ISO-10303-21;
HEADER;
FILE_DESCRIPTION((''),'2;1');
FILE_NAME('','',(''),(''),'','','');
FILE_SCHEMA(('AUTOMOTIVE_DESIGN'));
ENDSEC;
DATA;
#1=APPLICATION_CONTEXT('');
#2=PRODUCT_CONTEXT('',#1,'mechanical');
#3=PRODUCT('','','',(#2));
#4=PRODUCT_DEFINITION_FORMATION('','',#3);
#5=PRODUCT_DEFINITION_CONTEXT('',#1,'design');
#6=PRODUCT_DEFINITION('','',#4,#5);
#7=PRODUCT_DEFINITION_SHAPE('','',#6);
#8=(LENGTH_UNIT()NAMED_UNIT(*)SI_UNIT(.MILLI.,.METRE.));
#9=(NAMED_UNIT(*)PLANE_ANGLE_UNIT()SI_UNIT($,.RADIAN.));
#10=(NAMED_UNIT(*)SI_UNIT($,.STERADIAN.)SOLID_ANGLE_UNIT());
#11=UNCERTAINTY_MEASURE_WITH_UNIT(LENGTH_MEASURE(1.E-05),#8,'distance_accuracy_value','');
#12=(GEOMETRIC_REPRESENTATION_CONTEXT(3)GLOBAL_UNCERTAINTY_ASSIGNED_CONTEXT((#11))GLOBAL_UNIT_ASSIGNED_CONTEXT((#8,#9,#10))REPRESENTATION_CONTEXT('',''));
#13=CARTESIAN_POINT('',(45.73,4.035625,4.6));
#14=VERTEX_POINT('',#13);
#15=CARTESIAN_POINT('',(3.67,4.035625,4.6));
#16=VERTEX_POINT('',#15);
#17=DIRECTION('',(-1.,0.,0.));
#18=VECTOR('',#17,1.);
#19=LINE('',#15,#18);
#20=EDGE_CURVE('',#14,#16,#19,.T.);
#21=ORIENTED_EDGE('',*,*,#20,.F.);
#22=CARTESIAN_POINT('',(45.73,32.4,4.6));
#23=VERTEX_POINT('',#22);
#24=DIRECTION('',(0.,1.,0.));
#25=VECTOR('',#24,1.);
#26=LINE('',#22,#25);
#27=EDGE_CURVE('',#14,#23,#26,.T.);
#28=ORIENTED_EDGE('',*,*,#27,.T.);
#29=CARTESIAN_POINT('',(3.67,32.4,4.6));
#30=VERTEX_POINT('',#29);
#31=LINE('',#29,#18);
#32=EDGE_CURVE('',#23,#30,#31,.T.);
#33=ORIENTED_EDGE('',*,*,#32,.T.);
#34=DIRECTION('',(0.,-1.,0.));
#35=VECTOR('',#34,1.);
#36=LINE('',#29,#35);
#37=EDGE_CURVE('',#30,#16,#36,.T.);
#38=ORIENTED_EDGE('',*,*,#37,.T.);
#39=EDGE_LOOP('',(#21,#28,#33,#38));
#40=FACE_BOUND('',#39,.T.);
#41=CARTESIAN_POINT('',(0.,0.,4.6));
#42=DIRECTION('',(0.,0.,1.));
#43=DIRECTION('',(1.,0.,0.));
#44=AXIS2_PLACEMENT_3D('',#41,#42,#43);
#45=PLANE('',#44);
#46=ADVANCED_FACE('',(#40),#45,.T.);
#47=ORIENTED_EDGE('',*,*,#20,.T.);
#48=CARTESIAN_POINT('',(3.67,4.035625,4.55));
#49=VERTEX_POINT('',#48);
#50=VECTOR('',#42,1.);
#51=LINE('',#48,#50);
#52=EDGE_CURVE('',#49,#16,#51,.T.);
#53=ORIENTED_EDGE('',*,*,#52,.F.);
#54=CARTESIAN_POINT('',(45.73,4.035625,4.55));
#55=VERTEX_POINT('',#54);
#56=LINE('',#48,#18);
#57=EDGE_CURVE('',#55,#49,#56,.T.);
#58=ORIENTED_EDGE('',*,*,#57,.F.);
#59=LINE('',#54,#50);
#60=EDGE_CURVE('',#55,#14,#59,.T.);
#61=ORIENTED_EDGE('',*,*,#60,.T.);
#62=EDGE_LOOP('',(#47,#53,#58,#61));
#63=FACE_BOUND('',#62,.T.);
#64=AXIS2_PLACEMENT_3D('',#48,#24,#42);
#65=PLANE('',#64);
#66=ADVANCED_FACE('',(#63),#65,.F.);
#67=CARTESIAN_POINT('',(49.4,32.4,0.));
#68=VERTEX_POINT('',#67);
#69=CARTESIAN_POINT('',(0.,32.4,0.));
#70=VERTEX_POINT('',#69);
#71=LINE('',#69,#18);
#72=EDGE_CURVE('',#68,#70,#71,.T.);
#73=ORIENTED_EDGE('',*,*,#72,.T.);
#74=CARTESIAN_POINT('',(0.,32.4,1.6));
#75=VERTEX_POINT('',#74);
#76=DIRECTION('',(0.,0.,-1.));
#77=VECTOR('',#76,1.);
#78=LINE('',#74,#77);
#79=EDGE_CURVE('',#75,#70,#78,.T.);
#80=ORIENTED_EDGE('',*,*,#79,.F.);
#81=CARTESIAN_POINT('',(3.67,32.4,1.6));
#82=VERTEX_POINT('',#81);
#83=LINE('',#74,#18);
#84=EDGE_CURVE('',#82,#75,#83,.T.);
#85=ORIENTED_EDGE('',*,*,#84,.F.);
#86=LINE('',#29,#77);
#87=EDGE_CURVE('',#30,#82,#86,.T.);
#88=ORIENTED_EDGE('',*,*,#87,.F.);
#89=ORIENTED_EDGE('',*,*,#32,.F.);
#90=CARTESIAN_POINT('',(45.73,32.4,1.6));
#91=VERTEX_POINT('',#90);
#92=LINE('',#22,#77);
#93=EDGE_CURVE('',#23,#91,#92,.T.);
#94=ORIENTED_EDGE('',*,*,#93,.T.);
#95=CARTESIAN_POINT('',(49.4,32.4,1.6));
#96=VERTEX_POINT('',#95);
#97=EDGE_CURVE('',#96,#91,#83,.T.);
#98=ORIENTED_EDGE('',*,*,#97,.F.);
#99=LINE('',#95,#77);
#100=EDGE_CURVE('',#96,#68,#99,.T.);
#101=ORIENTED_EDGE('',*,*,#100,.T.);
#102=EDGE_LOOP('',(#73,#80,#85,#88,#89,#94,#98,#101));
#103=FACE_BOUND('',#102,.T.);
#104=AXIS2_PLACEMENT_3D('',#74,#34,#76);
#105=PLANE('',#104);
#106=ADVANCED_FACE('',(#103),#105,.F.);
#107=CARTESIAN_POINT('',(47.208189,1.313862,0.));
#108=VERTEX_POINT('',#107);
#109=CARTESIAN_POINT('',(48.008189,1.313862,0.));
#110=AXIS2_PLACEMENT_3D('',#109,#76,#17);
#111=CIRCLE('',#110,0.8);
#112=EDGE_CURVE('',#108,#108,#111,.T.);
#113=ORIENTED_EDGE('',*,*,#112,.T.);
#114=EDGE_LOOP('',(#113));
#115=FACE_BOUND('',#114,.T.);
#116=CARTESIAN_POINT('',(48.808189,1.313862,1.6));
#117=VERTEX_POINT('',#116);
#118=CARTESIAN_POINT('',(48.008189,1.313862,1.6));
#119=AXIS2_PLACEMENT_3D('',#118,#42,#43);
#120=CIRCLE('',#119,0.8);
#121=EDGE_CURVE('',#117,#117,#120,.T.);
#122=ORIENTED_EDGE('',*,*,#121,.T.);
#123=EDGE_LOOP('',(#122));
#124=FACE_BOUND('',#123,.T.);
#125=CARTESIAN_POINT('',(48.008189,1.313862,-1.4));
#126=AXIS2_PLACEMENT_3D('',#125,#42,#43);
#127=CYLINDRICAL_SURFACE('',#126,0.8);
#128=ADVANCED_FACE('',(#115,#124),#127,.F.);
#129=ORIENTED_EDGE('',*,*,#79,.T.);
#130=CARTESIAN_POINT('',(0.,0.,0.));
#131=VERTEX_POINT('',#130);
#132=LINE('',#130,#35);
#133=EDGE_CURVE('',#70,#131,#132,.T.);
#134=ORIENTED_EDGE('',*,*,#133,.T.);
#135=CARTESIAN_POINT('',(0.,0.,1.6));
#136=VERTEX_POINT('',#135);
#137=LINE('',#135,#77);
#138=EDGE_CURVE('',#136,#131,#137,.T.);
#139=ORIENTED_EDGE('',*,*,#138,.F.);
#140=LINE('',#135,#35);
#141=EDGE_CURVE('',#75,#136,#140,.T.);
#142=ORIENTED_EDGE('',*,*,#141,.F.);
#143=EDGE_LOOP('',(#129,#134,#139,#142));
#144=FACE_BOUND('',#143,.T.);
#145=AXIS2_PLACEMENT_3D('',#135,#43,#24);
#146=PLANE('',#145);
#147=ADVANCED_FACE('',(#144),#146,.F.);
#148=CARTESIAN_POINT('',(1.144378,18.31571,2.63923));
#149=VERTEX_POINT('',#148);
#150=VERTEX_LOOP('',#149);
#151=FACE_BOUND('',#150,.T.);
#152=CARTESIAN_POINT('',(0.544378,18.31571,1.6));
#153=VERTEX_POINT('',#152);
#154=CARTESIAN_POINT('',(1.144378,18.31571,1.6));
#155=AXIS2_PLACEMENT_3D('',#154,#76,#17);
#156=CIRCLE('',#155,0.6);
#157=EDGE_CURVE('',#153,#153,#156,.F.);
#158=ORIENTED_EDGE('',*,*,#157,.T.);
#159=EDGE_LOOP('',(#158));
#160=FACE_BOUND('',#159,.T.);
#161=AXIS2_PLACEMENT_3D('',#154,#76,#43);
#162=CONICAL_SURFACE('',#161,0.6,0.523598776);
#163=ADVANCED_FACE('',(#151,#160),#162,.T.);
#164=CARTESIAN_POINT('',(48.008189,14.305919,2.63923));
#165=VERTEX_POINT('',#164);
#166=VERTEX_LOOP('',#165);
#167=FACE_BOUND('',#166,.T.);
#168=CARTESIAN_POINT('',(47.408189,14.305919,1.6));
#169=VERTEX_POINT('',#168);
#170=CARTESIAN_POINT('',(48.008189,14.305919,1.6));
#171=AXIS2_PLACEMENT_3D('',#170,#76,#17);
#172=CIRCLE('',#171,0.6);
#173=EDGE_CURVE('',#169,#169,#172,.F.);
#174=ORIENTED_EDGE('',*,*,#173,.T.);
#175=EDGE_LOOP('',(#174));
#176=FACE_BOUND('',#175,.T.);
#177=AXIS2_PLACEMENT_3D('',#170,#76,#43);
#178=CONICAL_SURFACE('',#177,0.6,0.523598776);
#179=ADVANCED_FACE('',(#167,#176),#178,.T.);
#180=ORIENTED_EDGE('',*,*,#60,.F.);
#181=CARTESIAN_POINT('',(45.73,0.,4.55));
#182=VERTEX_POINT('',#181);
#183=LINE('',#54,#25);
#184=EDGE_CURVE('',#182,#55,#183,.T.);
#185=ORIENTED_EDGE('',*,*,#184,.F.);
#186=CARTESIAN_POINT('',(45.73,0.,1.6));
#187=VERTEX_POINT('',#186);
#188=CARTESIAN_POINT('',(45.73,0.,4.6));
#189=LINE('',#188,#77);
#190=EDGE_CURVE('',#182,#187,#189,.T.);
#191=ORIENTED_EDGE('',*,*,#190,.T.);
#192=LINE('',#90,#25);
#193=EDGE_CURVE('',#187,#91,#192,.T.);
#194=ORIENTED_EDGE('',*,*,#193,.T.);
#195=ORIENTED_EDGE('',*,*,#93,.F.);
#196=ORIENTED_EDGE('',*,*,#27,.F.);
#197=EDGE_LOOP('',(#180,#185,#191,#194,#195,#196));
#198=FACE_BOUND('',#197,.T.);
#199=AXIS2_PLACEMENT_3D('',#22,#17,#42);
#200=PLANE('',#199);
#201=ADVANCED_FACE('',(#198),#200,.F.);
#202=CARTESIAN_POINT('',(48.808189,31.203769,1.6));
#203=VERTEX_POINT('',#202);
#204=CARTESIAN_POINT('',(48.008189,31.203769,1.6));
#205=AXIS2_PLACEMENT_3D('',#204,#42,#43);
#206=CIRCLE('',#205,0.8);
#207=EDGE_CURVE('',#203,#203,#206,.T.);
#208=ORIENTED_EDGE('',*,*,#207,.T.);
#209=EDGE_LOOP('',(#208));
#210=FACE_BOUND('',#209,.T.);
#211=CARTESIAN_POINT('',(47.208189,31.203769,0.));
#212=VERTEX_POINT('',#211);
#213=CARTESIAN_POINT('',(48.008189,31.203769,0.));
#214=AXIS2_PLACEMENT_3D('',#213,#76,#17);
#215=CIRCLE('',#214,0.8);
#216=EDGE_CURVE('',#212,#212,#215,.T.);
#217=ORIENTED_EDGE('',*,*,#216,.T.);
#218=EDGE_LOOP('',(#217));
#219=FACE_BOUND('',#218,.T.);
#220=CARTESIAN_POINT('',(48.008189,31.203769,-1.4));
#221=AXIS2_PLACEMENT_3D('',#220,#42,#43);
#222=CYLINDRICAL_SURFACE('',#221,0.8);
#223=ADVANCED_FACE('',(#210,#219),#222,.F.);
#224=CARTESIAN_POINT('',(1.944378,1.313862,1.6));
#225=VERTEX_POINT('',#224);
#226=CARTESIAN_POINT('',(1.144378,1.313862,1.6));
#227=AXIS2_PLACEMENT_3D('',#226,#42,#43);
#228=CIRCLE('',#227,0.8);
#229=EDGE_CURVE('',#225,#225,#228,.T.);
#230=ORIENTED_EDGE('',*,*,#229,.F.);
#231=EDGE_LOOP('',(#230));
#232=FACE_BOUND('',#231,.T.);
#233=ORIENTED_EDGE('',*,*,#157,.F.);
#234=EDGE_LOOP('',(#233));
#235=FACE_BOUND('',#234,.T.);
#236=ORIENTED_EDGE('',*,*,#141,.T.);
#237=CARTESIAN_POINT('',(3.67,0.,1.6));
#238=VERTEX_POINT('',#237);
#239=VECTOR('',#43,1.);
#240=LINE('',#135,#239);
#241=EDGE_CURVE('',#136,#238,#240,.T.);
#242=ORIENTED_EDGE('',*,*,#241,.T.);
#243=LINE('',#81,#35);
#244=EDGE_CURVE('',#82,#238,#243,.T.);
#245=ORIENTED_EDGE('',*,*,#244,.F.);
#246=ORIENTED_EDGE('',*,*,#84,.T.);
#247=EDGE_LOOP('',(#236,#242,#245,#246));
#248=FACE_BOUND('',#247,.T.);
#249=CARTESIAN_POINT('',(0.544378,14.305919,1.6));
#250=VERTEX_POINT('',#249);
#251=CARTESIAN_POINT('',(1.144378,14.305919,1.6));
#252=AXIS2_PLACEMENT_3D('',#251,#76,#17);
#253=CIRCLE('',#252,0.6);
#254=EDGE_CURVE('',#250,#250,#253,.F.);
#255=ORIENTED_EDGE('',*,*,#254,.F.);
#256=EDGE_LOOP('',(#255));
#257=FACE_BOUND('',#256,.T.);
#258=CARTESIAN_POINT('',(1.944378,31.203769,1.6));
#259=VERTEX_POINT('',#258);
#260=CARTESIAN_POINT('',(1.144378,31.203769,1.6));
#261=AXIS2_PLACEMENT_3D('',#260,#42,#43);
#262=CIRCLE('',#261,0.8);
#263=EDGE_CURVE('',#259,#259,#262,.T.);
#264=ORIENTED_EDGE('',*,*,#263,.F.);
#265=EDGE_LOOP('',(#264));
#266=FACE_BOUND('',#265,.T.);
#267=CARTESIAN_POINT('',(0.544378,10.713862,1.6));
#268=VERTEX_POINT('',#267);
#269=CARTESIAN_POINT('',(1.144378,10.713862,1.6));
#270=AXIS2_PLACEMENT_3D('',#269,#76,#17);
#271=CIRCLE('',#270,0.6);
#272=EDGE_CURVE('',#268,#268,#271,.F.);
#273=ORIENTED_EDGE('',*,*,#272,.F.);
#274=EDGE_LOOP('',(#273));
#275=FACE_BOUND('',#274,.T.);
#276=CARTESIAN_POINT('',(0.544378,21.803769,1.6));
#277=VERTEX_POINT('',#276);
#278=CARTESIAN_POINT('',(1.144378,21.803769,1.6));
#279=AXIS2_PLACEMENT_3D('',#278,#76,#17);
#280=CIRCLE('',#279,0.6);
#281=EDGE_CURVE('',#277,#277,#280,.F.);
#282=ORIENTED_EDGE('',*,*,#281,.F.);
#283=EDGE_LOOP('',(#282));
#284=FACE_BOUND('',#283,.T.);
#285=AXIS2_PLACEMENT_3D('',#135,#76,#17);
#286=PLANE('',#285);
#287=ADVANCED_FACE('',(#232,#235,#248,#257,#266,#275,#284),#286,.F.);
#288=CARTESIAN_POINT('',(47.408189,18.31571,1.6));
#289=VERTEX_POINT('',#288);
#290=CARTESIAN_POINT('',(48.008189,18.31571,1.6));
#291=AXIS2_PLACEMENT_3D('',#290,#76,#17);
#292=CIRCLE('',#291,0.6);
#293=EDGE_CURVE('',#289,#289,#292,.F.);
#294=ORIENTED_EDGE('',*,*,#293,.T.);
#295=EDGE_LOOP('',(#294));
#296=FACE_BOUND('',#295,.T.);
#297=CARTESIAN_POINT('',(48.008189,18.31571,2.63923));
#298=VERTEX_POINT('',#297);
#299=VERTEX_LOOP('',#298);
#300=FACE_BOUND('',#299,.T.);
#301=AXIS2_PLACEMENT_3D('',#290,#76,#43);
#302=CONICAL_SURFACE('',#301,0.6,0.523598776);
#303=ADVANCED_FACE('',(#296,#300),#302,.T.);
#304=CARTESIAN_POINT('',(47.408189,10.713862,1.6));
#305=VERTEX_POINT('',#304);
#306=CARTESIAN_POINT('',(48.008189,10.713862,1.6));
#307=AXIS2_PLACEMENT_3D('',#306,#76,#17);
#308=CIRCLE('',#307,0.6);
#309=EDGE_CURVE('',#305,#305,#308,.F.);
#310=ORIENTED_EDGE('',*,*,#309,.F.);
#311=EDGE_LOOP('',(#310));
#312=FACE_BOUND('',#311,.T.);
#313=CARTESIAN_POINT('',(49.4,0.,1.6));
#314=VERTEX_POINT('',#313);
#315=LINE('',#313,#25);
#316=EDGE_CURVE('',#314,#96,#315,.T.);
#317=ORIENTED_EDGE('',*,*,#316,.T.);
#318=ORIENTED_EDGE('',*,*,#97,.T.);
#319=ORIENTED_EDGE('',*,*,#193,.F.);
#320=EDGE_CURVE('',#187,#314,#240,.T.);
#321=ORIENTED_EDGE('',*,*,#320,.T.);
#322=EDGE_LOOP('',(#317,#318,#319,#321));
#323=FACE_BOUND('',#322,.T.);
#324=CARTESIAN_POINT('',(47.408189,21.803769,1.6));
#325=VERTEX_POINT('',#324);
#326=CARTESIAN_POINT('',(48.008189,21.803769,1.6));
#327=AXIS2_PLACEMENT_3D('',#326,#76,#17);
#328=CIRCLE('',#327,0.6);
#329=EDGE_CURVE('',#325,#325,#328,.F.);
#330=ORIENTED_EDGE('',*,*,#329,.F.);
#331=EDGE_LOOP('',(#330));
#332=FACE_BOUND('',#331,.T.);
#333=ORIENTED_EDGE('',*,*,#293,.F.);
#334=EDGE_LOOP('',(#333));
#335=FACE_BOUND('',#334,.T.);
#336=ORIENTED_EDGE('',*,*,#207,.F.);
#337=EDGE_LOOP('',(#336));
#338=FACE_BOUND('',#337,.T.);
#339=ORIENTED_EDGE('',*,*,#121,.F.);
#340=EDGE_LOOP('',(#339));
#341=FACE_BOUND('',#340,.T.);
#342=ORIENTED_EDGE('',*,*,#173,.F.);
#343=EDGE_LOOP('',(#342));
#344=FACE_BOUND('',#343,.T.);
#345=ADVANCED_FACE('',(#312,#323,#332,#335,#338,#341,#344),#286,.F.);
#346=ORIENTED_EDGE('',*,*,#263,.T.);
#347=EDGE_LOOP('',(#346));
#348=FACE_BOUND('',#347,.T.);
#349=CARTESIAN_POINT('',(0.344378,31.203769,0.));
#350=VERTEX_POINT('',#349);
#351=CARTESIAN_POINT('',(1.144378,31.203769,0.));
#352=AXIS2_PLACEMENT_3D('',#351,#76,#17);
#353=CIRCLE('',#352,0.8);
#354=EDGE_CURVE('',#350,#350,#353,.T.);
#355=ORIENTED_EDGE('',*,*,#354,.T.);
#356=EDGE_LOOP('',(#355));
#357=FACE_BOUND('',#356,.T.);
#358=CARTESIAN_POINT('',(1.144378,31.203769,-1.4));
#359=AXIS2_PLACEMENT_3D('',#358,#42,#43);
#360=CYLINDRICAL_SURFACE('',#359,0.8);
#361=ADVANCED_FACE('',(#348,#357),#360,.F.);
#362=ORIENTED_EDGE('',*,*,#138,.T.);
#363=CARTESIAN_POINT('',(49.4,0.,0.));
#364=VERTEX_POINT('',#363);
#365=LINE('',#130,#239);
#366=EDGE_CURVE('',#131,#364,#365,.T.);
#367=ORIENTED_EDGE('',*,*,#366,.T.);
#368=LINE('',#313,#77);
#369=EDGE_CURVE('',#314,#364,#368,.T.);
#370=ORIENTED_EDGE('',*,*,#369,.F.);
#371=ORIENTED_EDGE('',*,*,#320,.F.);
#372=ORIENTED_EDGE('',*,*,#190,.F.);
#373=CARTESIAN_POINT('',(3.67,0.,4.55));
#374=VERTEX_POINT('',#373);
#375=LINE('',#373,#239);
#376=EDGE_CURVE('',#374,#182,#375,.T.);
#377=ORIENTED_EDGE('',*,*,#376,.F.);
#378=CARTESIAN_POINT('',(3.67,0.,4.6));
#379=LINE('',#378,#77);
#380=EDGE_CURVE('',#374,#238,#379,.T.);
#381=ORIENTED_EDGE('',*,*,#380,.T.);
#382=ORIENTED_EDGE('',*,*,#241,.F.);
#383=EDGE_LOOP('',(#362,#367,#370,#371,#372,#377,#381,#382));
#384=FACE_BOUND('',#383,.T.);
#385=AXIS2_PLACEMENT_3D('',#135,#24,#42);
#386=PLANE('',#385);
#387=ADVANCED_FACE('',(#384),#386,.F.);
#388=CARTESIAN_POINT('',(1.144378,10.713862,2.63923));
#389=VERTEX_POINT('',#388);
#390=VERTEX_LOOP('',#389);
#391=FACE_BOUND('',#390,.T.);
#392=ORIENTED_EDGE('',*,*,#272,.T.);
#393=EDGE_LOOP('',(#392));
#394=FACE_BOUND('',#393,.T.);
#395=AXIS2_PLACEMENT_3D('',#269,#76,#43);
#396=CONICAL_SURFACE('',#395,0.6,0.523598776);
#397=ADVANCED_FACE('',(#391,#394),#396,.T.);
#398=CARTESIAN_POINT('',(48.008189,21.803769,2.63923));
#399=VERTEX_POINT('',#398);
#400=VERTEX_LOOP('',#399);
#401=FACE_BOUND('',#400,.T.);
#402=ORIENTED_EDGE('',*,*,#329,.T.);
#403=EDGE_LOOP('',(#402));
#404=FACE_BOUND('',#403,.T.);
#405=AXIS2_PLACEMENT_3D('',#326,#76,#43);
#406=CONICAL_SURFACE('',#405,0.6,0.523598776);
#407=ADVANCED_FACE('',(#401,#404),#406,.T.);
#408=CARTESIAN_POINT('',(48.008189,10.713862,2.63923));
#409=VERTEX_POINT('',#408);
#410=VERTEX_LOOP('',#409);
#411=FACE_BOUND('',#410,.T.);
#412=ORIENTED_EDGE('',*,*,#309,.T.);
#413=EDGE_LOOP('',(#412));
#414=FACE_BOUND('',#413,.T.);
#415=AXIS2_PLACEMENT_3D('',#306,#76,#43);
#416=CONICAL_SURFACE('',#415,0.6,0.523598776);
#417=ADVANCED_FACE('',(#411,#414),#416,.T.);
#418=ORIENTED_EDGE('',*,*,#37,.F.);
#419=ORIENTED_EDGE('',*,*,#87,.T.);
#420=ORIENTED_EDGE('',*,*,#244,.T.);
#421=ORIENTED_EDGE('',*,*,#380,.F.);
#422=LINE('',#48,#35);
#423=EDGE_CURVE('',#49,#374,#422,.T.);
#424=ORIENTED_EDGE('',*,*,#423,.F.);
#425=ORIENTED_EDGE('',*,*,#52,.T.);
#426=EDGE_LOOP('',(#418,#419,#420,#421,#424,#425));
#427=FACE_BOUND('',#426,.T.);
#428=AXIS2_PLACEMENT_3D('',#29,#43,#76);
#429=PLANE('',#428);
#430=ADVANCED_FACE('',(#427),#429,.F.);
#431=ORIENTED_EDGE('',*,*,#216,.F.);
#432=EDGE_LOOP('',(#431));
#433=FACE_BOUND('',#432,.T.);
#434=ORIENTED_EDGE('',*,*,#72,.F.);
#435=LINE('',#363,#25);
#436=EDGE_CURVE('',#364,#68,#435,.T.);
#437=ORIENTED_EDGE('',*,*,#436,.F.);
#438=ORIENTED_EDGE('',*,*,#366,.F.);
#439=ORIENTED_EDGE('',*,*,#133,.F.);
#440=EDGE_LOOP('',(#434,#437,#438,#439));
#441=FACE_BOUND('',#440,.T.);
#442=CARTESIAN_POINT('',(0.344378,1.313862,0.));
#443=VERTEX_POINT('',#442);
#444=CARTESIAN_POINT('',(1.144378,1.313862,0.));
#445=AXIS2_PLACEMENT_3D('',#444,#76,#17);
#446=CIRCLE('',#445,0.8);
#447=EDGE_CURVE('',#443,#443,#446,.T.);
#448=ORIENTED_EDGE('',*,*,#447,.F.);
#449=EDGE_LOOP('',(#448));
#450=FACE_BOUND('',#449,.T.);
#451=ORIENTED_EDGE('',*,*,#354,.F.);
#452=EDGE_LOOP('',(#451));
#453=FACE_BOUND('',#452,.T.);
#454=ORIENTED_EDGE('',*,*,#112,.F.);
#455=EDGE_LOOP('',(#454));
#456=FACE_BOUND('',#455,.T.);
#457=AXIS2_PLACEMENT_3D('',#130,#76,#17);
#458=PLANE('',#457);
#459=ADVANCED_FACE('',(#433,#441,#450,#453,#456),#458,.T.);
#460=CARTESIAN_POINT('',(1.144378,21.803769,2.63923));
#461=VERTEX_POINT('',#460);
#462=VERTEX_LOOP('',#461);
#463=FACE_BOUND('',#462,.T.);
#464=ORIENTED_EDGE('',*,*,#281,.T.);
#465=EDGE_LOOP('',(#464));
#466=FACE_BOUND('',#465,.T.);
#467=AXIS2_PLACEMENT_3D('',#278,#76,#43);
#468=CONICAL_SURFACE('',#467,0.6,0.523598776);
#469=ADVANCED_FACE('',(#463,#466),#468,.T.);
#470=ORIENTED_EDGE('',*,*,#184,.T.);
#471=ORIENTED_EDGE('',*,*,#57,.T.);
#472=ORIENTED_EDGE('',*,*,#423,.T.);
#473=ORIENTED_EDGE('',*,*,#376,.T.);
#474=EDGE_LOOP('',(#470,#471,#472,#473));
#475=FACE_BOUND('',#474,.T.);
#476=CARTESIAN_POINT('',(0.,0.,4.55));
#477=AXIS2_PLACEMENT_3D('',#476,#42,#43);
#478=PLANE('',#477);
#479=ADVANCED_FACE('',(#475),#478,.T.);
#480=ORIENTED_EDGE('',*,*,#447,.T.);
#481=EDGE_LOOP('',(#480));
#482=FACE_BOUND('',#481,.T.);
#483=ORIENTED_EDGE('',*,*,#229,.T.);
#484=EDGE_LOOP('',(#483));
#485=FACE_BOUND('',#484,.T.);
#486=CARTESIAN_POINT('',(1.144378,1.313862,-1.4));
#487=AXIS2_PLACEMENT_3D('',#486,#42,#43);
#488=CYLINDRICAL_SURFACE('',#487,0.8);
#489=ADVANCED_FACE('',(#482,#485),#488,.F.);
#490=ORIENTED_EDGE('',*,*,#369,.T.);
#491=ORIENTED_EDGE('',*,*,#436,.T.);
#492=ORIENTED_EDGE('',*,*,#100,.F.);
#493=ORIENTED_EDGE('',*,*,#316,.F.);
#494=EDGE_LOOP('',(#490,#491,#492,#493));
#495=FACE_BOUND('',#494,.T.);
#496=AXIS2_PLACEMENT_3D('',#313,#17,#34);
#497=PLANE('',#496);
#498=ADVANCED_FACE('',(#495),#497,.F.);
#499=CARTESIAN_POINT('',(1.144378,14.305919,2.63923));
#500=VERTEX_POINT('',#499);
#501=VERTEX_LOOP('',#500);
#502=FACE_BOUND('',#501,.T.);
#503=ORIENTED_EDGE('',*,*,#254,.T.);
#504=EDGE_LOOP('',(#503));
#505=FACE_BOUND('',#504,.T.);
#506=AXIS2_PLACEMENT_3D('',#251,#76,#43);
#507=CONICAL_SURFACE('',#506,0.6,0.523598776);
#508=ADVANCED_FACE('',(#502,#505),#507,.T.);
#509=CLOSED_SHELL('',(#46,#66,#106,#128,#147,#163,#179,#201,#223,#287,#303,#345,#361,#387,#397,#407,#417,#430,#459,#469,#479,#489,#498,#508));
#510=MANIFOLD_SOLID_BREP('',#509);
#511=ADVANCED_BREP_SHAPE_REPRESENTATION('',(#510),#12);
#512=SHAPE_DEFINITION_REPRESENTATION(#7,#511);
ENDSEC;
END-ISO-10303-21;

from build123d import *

# Parameters (mm, degrees)
ESQUISSE1_W             = 49.4
ESQUISSE1_H             = 32.4
BOSS_EXTRU_1_DEPTH      = 1.6
ESQUISSE5_W             = 42.06
ESQUISSE5_H             = 32.4
BOSS_EXTRU_2_DEPTH      = 3
ESQUISSE6_R             = 0.8
ENL_V_MAT_EXTRU_1_DEPTH = 3
ESQUISSE7_W             = 42.06
ESQUISSE7_H             = 4.035624865
ENL_V_MAT_EXTRU_2_DEPTH = 0.05
ESQUISSE8_R             = 0.6
BOSS_EXTRU_3_DEPTH      = 1.2
BOSS_EXTRU_3_TAPER      = 30


with BuildPart() as part:
    # Esquisse1 → Boss.-Extru.1 (new body)
    with BuildSketch(Plane.XY):
        with Locations((24.7, 16.2)):
            Rectangle(ESQUISSE1_W, ESQUISSE1_H)
    extrude(amount=BOSS_EXTRU_1_DEPTH)

    # Esquisse5 → Boss.-Extru.2 (add)
    with BuildSketch(Plane.XY.offset(1.6)):
        with Locations((24.7, 16.2)):
            Rectangle(ESQUISSE5_W, ESQUISSE5_H)
    extrude(amount=BOSS_EXTRU_2_DEPTH)

    # Esquisse6 → Enlèv. mat.-Extru.1 (cut)
    with BuildSketch(Plane.XY.offset(1.6)):
        with Locations((1.144377661, 31.203769118)):
            Circle(ESQUISSE6_R)
        with Locations((1.144377661, 1.31386178)):
            Circle(ESQUISSE6_R)
        with Locations((48.008189331, 1.31386178)):
            Circle(ESQUISSE6_R)
        with Locations((48.008189331, 31.203769118)):
            Circle(ESQUISSE6_R)
    extrude(amount=-ENL_V_MAT_EXTRU_1_DEPTH, mode=Mode.SUBTRACT)

    # Esquisse7 → Enlèv. mat.-Extru.2 (cut)
    with BuildSketch(Plane.XY.offset(4.6)):
        with Locations((24.7, 2.017812432)):
            Rectangle(ESQUISSE7_W, ESQUISSE7_H)
    extrude(amount=-ENL_V_MAT_EXTRU_2_DEPTH, mode=Mode.SUBTRACT)

    # Esquisse8 → Boss.-Extru.3 (add)
    with BuildSketch(Plane.XY.offset(1.6)):
        with Locations((1.144377661, 21.803769118)):
            Circle(ESQUISSE8_R)
        with Locations((1.144377661, 10.71386178)):
            Circle(ESQUISSE8_R)
        with Locations((48.008189331, 21.803769118)):
            Circle(ESQUISSE8_R)
        with Locations((48.008189331, 10.71386178)):
            Circle(ESQUISSE8_R)
        with Locations((1.144377661, 18.315710158)):
            Circle(ESQUISSE8_R)
        with Locations((1.144377661, 14.305919008)):
            Circle(ESQUISSE8_R)
        with Locations((48.008189331, 18.315710158)):
            Circle(ESQUISSE8_R)
        with Locations((48.008189331, 14.305919008)):
            Circle(ESQUISSE8_R)
    extrude(amount=BOSS_EXTRU_3_DEPTH, taper=BOSS_EXTRU_3_TAPER)


solid = part.part
